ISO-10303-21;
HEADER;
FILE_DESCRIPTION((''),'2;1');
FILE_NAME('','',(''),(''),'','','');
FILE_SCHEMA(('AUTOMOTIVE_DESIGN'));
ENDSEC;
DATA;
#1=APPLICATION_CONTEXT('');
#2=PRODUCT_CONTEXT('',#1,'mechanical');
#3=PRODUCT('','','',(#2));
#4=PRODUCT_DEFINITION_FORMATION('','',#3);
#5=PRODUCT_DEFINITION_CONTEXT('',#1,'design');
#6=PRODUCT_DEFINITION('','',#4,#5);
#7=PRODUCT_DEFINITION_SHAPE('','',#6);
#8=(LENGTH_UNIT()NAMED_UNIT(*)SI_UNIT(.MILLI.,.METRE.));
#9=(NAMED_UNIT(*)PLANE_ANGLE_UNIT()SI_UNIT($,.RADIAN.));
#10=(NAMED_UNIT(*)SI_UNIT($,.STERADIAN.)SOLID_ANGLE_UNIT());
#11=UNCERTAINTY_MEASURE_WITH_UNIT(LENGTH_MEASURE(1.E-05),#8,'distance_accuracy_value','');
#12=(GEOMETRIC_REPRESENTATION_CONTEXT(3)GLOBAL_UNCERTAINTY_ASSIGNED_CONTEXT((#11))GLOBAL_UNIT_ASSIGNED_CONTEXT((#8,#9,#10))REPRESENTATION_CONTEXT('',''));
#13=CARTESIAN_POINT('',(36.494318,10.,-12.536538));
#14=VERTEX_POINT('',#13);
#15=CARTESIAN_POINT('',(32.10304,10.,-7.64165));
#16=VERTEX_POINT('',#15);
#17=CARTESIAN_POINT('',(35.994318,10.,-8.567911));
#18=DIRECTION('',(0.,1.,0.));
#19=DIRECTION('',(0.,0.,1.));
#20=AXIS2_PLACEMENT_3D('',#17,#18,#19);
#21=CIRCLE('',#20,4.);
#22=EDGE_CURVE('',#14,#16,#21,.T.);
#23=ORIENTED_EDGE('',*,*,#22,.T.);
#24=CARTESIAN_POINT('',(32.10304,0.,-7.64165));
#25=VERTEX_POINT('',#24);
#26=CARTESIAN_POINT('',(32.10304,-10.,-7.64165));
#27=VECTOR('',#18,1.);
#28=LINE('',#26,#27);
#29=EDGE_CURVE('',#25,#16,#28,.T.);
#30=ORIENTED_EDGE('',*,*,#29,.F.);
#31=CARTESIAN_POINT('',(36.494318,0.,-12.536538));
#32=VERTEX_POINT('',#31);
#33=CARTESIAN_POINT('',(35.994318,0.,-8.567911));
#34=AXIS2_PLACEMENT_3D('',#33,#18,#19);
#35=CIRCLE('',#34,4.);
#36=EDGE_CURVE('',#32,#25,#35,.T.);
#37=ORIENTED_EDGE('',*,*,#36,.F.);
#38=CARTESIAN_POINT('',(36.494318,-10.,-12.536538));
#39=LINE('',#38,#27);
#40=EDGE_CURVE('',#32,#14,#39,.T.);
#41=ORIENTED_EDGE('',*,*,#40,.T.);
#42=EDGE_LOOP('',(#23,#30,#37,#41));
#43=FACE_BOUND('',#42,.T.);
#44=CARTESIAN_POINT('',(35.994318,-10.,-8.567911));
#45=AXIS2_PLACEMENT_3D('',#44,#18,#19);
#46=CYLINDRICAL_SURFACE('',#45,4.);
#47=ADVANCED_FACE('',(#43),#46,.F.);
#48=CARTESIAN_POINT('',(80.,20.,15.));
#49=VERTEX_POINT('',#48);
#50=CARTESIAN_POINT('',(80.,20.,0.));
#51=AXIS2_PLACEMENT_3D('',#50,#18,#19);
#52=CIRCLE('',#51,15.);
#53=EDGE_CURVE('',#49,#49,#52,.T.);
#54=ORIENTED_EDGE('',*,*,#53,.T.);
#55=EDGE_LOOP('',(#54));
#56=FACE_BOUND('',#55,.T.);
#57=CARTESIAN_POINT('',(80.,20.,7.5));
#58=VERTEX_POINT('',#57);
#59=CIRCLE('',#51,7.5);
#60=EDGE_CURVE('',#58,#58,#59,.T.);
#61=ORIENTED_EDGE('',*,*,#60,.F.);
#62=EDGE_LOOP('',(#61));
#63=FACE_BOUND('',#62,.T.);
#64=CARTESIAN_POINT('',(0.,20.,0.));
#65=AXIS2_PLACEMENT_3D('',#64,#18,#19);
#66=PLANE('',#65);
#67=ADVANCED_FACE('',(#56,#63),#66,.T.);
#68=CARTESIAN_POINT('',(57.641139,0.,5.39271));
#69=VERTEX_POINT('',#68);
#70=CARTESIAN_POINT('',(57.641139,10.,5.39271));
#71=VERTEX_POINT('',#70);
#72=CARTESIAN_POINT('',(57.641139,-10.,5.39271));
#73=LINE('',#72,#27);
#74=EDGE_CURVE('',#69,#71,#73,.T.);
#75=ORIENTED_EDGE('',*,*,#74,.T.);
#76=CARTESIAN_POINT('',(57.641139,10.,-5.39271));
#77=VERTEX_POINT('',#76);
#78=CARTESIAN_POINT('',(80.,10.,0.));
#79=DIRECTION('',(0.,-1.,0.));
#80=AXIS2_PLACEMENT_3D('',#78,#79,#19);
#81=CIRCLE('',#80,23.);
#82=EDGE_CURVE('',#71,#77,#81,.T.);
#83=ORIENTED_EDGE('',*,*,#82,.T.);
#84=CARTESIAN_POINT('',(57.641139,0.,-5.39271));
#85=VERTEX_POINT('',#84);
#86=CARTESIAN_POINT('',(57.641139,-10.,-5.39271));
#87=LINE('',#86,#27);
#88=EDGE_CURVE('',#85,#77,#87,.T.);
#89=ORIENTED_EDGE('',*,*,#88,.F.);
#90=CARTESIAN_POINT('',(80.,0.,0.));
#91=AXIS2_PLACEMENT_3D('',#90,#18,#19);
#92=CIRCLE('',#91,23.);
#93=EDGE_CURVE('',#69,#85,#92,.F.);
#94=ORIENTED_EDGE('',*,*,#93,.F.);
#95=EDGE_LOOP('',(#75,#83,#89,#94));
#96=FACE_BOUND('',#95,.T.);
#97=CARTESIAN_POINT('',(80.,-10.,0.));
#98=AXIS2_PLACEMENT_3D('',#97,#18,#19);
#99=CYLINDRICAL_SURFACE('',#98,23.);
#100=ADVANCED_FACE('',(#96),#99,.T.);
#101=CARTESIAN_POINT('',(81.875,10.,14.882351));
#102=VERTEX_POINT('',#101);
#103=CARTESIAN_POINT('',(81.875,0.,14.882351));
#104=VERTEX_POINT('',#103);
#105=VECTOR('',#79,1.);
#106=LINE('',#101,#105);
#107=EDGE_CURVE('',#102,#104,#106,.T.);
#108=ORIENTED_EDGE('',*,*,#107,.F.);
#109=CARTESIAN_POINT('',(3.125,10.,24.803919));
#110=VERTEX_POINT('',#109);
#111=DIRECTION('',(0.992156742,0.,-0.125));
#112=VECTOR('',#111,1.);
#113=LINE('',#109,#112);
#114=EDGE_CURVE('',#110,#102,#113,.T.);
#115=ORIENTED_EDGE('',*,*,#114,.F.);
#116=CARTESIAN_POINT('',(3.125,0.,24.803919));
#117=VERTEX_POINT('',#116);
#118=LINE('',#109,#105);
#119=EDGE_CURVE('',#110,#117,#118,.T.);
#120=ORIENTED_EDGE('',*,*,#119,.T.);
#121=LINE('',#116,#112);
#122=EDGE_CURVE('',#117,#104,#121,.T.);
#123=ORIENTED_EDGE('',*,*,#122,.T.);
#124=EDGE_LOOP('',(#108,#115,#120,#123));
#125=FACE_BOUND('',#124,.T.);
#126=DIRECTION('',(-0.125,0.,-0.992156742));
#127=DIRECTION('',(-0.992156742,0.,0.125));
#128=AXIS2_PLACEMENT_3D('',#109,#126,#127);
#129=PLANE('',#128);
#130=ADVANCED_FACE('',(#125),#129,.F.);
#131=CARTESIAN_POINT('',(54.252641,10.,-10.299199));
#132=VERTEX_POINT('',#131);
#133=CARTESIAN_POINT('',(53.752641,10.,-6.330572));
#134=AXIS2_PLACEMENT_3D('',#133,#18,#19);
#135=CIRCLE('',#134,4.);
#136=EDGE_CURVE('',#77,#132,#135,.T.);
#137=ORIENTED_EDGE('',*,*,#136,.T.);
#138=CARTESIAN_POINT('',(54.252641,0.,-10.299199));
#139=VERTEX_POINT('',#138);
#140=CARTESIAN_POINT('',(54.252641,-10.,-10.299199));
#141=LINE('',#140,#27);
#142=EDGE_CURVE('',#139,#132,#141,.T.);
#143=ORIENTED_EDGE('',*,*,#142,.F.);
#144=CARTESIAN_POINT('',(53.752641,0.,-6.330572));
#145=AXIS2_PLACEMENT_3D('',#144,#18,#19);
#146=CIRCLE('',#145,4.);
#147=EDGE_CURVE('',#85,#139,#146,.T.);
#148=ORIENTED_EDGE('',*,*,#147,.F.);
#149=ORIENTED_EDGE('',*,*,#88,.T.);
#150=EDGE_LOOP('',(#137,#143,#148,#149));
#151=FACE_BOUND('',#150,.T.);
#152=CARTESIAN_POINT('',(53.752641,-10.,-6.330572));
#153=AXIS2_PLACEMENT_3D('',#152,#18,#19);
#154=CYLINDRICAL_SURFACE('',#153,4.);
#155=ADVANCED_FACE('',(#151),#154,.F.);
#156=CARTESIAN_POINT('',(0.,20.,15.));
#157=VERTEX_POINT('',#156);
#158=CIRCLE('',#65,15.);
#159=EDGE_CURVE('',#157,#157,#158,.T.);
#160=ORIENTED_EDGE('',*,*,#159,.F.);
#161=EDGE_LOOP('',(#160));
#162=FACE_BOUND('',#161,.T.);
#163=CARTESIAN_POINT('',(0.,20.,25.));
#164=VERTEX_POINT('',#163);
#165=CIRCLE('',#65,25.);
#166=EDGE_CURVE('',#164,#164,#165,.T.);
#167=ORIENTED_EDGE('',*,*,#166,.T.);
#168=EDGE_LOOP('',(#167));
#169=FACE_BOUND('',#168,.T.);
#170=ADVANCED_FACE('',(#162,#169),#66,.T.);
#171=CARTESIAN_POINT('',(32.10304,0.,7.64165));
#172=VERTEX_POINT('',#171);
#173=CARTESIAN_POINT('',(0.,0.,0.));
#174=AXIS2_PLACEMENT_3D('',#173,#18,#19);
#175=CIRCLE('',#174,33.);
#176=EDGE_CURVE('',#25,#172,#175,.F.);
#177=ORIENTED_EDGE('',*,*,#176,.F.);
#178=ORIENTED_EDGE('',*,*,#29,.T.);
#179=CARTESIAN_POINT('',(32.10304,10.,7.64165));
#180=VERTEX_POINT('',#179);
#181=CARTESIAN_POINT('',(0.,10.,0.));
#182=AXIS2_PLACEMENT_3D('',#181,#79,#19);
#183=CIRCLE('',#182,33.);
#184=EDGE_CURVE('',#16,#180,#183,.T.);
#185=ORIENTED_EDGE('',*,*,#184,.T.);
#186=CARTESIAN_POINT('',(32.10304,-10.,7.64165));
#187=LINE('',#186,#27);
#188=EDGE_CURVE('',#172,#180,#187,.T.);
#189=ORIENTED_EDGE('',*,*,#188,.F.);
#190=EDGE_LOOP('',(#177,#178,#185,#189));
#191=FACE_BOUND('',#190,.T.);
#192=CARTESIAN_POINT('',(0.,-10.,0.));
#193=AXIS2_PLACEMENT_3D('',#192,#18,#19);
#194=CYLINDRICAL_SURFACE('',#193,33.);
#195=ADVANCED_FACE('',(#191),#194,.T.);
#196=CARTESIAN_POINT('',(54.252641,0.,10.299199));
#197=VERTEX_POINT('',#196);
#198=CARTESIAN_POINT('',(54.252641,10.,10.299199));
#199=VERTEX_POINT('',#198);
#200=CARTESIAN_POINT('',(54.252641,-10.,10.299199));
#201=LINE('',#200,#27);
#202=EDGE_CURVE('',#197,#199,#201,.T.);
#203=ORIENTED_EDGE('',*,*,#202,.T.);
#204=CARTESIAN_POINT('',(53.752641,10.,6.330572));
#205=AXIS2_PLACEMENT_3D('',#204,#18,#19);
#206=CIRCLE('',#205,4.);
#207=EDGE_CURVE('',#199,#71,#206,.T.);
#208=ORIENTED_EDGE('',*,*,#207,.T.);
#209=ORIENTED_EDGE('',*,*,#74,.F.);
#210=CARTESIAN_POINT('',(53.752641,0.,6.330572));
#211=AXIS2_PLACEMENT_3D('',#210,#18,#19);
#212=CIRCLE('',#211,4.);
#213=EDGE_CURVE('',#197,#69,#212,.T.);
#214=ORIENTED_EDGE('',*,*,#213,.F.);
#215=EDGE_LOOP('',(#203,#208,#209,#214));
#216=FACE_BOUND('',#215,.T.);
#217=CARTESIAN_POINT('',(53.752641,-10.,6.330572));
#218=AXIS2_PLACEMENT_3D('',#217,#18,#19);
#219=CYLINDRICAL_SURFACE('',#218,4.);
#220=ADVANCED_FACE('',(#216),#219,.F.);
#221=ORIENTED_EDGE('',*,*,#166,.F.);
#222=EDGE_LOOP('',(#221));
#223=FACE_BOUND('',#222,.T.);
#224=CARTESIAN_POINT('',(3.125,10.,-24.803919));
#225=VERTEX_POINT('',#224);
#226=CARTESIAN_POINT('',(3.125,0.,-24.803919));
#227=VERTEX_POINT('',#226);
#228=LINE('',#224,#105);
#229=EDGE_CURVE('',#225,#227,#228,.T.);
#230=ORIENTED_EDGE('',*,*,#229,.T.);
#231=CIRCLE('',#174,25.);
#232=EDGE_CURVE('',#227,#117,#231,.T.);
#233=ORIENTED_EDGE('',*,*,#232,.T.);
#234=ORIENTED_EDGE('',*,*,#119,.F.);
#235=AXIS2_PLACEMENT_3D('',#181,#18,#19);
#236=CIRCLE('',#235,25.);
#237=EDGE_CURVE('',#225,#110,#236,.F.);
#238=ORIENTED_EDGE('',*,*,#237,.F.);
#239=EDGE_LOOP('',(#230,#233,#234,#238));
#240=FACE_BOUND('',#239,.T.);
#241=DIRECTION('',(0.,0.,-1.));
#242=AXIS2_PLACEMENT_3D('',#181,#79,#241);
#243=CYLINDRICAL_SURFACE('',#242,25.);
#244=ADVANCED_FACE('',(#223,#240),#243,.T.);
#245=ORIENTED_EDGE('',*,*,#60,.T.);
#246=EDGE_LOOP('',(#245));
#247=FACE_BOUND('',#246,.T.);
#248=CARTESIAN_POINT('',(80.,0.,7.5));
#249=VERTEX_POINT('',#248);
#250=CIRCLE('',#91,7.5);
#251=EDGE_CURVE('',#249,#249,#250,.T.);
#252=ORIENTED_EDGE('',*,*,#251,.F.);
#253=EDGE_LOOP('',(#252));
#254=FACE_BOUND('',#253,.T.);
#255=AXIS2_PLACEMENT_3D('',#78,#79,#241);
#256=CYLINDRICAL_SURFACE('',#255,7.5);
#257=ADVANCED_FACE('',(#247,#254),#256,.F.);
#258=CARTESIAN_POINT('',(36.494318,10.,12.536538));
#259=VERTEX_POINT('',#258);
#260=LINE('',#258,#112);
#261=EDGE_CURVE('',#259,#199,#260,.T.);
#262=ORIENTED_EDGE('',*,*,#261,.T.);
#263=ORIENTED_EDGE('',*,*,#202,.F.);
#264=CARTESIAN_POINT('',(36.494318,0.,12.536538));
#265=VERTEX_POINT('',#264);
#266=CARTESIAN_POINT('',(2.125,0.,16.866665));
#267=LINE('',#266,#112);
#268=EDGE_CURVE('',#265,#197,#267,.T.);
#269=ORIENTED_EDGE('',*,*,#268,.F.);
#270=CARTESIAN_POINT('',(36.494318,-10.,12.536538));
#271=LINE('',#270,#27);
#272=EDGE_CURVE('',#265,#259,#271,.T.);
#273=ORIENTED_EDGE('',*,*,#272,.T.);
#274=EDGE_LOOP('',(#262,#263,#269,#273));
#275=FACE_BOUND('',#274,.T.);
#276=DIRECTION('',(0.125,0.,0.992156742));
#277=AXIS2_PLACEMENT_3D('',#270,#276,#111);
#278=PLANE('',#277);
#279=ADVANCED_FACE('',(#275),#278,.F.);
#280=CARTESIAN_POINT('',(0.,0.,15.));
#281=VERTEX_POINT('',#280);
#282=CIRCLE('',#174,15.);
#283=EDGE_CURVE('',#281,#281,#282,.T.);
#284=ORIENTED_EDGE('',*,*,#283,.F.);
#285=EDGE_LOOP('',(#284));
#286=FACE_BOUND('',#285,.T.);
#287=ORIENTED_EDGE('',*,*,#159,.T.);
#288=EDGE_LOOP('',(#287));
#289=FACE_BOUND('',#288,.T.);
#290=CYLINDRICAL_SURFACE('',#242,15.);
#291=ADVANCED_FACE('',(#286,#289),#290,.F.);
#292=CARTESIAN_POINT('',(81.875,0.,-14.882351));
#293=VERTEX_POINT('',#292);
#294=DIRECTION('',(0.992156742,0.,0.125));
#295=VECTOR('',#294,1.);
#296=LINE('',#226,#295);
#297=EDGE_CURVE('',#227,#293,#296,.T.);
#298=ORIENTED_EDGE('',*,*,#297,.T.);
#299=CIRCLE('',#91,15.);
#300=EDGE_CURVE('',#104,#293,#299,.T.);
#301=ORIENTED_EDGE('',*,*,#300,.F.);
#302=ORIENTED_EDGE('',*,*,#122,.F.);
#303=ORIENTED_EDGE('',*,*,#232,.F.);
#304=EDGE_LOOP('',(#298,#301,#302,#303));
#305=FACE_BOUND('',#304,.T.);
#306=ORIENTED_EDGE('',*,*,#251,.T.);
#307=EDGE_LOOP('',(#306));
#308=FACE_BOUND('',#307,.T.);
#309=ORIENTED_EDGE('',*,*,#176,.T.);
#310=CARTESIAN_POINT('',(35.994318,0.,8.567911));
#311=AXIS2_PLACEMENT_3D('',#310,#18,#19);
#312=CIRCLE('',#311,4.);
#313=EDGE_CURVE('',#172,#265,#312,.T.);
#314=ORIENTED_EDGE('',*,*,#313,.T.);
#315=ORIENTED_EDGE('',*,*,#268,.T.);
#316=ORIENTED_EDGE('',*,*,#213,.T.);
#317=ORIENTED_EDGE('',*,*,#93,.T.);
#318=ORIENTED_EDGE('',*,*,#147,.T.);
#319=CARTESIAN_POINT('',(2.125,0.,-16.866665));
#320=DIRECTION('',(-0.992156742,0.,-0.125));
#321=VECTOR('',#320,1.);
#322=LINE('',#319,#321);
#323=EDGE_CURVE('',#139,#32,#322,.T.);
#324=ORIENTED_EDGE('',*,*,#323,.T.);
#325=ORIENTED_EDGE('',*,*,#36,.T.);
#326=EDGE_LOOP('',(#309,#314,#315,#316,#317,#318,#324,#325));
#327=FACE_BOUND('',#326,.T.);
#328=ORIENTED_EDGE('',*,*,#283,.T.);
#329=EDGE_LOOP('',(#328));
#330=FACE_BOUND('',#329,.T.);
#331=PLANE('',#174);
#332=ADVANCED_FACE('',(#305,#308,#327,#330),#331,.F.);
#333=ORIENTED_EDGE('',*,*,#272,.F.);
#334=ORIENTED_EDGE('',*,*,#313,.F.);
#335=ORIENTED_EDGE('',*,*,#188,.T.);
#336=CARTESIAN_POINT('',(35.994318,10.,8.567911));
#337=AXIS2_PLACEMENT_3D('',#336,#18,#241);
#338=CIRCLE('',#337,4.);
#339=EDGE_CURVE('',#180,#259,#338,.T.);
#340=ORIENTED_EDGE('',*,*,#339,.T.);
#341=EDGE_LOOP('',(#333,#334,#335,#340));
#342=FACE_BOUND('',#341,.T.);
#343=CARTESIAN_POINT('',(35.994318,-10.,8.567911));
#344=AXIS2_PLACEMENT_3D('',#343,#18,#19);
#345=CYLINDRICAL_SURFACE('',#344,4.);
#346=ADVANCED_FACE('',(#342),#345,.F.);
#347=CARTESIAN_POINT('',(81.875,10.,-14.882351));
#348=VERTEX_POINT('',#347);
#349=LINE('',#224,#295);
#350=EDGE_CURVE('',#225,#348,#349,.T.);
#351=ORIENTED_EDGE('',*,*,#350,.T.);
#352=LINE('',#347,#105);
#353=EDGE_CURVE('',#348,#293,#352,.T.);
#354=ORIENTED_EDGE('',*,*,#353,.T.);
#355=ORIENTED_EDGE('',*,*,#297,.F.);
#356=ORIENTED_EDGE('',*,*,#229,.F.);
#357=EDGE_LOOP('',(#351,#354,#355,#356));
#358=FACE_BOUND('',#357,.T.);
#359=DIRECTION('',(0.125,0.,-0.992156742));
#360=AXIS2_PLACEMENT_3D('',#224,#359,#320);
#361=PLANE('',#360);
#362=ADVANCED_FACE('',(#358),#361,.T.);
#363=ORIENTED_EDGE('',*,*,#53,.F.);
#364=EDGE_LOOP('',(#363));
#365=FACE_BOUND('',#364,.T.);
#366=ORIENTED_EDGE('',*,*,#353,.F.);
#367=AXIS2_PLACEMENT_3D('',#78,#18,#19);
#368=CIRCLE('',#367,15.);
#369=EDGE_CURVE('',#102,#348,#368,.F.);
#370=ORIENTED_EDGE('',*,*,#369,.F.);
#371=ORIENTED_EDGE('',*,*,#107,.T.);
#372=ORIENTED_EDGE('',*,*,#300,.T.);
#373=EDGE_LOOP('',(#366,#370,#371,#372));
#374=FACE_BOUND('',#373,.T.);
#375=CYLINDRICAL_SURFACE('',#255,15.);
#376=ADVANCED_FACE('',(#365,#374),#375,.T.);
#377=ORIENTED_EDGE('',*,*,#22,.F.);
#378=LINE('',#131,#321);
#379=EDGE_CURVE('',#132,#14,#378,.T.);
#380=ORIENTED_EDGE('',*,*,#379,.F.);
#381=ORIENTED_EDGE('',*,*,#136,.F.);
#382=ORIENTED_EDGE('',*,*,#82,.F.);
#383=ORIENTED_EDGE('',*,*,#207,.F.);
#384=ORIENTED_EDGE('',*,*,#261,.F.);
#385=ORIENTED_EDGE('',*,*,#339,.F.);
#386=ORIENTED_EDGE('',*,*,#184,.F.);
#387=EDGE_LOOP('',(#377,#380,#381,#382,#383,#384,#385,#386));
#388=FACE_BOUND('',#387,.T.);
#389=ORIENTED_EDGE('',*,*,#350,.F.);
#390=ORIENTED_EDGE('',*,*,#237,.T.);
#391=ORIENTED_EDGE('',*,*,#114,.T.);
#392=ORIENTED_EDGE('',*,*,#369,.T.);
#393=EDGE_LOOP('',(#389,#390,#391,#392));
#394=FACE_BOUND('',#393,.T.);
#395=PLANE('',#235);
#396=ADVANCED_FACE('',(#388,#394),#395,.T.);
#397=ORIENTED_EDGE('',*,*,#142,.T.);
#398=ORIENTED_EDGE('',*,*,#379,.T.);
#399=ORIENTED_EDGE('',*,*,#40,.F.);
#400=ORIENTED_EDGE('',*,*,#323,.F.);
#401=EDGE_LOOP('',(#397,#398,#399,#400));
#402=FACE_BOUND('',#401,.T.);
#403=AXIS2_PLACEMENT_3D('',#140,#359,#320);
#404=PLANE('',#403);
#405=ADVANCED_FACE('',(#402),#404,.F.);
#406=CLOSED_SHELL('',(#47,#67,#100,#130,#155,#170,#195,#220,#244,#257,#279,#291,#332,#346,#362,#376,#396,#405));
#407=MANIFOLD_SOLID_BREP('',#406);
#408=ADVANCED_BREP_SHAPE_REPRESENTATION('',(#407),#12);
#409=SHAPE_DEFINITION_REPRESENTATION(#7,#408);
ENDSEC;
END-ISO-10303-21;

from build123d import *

# Parameters (mm, degrees)
SKETCH1_R           = 7.5
SKETCH1_R_2         = 15
BOSS_EXTRUDE1_DEPTH = 10
SKETCH1_3_R         = 25
SKETCH1_3_R_2       = 15
SKETCH1_3_R_3       = 7.5
BOSS_EXTRUDE2_DEPTH = 20
CUT_EXTRUDE1_DEPTH  = 20


with BuildPart() as part:
    # Sketch1 → Boss-Extrude1 (new body)
    with BuildSketch(Plane(origin=(0, 0, 0), x_dir=(1, 0, 0), z_dir=(0, 1, 0))):
        with BuildLine():
            Line((81.875, 14.882351125), (3.125, 24.803918541))
            ThreePointArc((3.125, 24.803918541), (-25, 0), (3.125, -24.803918541))
            Line((3.125, -24.803918541), (81.875, -14.882351125))
            ThreePointArc((81.875, -14.882351125), (95, 0), (81.875, 14.882351125))
        make_face()
        with Locations((80, 0)):
            Circle(SKETCH1_R, mode=Mode.SUBTRACT)
        Circle(SKETCH1_R_2, mode=Mode.SUBTRACT)
    extrude(amount=BOSS_EXTRUDE1_DEPTH)

    # Sketch1<3> → Boss-Extrude2 (add)
    # profile 1 of 2: a face of its own
    with BuildSketch(Plane(origin=(0, 0, 0), x_dir=(1, 0, 0), z_dir=(0, 1, 0))):
        Circle(SKETCH1_3_R)
        Circle(SKETCH1_3_R_2, mode=Mode.SUBTRACT)
    # profile 2 of 2: a face of its own
    with BuildSketch(Plane(origin=(0, 0, 0), x_dir=(1, 0, 0), z_dir=(0, 1, 0))):
        with Locations((80, 0)):
            Circle(SKETCH1_3_R_2)
        with Locations((80, 0)):
            Circle(SKETCH1_3_R_3, mode=Mode.SUBTRACT)
    extrude(amount=BOSS_EXTRUDE2_DEPTH)

    # Sketch2 → Cut-Extrude1 (cut)
    with BuildSketch(Plane(origin=(0, 10, 0), x_dir=(1, 0, 0), z_dir=(0, 1, 0))):
        with BuildLine():
            Line((36.494317712, -12.536537589), (54.252640976, -10.299199158))
            ThreePointArc((54.252640976, -10.299199158), (57.044014201, -8.603645506), (57.641138609, -5.392709644))
            ThreePointArc((57.641138609, -5.392709644), (57, 0), (57.641138609, 5.392709644))
            ThreePointArc((57.641138609, 5.392709644), (57.044014201, 8.603645506), (54.252640976, 10.299199158))
            Line((54.252640976, 10.299199158), (36.494317712, 12.536537589))
            ThreePointArc((36.494317712, 12.536537589), (33.016873839, 11.239020501), (32.103040122, 7.641650015))
            ThreePointArc((32.103040122, 7.641650015), (33, 0), (32.103040122, -7.641650015))
            ThreePointArc((32.103040122, -7.641650015), (33.016873839, -11.239020501), (36.494317712, -12.536537589))
        make_face()
    extrude(amount=-CUT_EXTRUDE1_DEPTH, mode=Mode.SUBTRACT)


solid = part.part
